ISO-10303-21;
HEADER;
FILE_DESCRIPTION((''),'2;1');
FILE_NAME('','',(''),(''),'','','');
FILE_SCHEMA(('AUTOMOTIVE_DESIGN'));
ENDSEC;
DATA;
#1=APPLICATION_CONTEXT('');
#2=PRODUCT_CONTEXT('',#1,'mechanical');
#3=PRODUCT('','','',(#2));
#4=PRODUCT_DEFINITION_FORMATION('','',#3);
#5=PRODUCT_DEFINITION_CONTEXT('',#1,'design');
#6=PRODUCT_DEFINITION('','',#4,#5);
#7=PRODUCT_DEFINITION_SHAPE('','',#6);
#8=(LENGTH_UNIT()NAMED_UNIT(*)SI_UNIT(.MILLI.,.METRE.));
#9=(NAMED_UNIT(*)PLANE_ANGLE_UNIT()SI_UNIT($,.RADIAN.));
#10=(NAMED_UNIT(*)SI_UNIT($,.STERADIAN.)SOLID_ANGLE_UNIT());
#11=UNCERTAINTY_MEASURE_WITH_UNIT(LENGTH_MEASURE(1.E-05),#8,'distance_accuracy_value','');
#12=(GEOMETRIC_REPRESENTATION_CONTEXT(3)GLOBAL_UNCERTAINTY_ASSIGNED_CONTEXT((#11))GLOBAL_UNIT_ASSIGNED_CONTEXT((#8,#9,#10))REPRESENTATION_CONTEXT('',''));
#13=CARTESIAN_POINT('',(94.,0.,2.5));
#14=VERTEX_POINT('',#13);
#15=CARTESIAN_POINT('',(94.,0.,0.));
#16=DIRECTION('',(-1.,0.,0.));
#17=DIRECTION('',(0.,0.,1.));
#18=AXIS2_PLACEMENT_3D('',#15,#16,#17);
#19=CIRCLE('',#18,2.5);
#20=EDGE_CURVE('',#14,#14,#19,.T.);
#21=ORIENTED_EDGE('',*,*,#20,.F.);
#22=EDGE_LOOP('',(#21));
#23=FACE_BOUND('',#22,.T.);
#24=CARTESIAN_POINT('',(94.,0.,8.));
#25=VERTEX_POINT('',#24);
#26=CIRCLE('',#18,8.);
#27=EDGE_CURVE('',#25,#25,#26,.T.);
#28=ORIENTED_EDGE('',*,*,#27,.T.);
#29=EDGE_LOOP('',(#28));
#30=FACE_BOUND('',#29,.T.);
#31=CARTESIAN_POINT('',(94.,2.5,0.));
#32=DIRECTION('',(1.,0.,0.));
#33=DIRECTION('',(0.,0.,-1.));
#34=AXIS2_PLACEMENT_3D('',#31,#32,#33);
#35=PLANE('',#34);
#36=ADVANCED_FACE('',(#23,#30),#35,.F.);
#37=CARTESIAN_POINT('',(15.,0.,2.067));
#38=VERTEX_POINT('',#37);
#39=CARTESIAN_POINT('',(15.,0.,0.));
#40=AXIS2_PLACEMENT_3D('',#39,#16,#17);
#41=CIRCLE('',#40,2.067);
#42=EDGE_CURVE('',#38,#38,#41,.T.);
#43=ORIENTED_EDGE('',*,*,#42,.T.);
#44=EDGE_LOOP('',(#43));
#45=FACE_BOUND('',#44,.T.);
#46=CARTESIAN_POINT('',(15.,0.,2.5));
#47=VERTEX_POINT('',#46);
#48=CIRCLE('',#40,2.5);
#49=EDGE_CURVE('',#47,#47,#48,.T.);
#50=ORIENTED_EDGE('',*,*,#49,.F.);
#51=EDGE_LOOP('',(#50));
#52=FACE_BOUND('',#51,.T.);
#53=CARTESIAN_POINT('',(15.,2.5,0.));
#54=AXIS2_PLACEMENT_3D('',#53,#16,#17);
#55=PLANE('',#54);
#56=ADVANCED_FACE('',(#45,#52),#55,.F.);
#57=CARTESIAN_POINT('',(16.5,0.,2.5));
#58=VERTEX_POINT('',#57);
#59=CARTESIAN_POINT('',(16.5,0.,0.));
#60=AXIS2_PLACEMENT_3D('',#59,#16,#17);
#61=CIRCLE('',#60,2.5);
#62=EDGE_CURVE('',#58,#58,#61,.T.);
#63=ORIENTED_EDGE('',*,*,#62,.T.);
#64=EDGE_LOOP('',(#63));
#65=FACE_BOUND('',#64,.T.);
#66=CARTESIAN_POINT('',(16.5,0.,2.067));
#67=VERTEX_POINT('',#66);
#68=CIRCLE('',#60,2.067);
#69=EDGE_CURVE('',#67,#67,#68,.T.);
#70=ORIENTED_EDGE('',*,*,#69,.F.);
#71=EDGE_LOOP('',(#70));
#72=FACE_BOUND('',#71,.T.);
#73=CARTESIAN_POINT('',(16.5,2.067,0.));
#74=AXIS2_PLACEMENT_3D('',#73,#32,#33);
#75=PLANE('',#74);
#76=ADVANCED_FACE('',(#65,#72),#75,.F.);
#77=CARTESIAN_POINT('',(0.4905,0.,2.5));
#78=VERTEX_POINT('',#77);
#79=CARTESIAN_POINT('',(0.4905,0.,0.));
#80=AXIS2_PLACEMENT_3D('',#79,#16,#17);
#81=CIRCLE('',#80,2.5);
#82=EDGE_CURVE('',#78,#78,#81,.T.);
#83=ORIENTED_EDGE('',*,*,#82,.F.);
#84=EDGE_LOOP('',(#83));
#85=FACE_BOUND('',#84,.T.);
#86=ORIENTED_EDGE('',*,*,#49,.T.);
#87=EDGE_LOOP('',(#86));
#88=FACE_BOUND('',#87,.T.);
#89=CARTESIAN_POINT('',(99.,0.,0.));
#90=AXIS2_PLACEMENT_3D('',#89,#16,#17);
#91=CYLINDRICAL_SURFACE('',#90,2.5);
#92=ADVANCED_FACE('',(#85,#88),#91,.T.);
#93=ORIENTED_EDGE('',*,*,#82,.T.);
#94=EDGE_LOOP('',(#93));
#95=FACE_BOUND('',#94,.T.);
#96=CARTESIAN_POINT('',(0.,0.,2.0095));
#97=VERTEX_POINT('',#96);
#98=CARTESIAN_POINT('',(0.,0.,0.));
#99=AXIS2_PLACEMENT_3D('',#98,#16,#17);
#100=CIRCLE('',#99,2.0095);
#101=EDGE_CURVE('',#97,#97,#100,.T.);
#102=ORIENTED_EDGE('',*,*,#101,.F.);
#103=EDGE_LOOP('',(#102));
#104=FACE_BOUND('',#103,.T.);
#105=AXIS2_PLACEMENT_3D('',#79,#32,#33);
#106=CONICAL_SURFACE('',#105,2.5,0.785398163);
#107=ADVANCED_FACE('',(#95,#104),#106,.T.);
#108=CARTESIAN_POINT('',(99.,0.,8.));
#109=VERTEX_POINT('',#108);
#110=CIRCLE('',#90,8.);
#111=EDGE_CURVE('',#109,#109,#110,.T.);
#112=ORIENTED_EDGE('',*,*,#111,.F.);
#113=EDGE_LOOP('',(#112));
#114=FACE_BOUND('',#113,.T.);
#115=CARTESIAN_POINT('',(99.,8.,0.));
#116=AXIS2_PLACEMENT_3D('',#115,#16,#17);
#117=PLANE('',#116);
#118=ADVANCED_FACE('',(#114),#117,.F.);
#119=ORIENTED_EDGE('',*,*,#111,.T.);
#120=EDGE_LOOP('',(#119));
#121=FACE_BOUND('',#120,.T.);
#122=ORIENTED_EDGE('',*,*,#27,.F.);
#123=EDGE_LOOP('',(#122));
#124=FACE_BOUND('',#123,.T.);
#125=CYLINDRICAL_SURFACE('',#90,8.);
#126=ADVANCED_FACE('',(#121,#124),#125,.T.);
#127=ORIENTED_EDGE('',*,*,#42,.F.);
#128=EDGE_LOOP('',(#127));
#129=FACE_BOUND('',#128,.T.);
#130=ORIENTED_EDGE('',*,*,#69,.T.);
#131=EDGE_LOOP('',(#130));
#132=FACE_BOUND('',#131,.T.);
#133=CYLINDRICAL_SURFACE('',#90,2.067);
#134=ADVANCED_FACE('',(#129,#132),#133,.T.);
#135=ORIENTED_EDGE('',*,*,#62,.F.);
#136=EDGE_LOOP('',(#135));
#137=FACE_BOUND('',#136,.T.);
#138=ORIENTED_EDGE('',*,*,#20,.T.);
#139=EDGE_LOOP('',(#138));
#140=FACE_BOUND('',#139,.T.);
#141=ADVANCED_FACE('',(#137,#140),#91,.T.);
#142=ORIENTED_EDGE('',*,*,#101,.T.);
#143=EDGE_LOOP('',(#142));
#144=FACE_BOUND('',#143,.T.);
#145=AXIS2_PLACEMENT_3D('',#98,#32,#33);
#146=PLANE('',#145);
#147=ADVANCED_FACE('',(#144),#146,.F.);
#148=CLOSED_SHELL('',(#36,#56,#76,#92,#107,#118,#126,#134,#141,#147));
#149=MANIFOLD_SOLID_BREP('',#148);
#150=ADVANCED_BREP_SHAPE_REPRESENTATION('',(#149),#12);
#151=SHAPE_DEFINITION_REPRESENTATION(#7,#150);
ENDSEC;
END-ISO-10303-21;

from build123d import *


with BuildPart() as part:
    # Sketch1 → Revolve1 (revolve)
    with BuildSketch(Plane.XY, mode=Mode.PRIVATE) as revolve1_sk:
        Polygon((0, 0), (0, 2.0095), (0.4905, 2.5), (15, 2.5), (15, 2.067), (16.5, 2.067), (16.5, 2.5), (94, 2.5), (94, 8), (99, 8), (99, 0), align=None)
    revolve(revolve1_sk.sketch.rotate(Axis((99, 0, 0), (-1, 0, 0)), 270), axis=Axis((99, 0, 0), (-1, 0, 0)))


solid = part.part
